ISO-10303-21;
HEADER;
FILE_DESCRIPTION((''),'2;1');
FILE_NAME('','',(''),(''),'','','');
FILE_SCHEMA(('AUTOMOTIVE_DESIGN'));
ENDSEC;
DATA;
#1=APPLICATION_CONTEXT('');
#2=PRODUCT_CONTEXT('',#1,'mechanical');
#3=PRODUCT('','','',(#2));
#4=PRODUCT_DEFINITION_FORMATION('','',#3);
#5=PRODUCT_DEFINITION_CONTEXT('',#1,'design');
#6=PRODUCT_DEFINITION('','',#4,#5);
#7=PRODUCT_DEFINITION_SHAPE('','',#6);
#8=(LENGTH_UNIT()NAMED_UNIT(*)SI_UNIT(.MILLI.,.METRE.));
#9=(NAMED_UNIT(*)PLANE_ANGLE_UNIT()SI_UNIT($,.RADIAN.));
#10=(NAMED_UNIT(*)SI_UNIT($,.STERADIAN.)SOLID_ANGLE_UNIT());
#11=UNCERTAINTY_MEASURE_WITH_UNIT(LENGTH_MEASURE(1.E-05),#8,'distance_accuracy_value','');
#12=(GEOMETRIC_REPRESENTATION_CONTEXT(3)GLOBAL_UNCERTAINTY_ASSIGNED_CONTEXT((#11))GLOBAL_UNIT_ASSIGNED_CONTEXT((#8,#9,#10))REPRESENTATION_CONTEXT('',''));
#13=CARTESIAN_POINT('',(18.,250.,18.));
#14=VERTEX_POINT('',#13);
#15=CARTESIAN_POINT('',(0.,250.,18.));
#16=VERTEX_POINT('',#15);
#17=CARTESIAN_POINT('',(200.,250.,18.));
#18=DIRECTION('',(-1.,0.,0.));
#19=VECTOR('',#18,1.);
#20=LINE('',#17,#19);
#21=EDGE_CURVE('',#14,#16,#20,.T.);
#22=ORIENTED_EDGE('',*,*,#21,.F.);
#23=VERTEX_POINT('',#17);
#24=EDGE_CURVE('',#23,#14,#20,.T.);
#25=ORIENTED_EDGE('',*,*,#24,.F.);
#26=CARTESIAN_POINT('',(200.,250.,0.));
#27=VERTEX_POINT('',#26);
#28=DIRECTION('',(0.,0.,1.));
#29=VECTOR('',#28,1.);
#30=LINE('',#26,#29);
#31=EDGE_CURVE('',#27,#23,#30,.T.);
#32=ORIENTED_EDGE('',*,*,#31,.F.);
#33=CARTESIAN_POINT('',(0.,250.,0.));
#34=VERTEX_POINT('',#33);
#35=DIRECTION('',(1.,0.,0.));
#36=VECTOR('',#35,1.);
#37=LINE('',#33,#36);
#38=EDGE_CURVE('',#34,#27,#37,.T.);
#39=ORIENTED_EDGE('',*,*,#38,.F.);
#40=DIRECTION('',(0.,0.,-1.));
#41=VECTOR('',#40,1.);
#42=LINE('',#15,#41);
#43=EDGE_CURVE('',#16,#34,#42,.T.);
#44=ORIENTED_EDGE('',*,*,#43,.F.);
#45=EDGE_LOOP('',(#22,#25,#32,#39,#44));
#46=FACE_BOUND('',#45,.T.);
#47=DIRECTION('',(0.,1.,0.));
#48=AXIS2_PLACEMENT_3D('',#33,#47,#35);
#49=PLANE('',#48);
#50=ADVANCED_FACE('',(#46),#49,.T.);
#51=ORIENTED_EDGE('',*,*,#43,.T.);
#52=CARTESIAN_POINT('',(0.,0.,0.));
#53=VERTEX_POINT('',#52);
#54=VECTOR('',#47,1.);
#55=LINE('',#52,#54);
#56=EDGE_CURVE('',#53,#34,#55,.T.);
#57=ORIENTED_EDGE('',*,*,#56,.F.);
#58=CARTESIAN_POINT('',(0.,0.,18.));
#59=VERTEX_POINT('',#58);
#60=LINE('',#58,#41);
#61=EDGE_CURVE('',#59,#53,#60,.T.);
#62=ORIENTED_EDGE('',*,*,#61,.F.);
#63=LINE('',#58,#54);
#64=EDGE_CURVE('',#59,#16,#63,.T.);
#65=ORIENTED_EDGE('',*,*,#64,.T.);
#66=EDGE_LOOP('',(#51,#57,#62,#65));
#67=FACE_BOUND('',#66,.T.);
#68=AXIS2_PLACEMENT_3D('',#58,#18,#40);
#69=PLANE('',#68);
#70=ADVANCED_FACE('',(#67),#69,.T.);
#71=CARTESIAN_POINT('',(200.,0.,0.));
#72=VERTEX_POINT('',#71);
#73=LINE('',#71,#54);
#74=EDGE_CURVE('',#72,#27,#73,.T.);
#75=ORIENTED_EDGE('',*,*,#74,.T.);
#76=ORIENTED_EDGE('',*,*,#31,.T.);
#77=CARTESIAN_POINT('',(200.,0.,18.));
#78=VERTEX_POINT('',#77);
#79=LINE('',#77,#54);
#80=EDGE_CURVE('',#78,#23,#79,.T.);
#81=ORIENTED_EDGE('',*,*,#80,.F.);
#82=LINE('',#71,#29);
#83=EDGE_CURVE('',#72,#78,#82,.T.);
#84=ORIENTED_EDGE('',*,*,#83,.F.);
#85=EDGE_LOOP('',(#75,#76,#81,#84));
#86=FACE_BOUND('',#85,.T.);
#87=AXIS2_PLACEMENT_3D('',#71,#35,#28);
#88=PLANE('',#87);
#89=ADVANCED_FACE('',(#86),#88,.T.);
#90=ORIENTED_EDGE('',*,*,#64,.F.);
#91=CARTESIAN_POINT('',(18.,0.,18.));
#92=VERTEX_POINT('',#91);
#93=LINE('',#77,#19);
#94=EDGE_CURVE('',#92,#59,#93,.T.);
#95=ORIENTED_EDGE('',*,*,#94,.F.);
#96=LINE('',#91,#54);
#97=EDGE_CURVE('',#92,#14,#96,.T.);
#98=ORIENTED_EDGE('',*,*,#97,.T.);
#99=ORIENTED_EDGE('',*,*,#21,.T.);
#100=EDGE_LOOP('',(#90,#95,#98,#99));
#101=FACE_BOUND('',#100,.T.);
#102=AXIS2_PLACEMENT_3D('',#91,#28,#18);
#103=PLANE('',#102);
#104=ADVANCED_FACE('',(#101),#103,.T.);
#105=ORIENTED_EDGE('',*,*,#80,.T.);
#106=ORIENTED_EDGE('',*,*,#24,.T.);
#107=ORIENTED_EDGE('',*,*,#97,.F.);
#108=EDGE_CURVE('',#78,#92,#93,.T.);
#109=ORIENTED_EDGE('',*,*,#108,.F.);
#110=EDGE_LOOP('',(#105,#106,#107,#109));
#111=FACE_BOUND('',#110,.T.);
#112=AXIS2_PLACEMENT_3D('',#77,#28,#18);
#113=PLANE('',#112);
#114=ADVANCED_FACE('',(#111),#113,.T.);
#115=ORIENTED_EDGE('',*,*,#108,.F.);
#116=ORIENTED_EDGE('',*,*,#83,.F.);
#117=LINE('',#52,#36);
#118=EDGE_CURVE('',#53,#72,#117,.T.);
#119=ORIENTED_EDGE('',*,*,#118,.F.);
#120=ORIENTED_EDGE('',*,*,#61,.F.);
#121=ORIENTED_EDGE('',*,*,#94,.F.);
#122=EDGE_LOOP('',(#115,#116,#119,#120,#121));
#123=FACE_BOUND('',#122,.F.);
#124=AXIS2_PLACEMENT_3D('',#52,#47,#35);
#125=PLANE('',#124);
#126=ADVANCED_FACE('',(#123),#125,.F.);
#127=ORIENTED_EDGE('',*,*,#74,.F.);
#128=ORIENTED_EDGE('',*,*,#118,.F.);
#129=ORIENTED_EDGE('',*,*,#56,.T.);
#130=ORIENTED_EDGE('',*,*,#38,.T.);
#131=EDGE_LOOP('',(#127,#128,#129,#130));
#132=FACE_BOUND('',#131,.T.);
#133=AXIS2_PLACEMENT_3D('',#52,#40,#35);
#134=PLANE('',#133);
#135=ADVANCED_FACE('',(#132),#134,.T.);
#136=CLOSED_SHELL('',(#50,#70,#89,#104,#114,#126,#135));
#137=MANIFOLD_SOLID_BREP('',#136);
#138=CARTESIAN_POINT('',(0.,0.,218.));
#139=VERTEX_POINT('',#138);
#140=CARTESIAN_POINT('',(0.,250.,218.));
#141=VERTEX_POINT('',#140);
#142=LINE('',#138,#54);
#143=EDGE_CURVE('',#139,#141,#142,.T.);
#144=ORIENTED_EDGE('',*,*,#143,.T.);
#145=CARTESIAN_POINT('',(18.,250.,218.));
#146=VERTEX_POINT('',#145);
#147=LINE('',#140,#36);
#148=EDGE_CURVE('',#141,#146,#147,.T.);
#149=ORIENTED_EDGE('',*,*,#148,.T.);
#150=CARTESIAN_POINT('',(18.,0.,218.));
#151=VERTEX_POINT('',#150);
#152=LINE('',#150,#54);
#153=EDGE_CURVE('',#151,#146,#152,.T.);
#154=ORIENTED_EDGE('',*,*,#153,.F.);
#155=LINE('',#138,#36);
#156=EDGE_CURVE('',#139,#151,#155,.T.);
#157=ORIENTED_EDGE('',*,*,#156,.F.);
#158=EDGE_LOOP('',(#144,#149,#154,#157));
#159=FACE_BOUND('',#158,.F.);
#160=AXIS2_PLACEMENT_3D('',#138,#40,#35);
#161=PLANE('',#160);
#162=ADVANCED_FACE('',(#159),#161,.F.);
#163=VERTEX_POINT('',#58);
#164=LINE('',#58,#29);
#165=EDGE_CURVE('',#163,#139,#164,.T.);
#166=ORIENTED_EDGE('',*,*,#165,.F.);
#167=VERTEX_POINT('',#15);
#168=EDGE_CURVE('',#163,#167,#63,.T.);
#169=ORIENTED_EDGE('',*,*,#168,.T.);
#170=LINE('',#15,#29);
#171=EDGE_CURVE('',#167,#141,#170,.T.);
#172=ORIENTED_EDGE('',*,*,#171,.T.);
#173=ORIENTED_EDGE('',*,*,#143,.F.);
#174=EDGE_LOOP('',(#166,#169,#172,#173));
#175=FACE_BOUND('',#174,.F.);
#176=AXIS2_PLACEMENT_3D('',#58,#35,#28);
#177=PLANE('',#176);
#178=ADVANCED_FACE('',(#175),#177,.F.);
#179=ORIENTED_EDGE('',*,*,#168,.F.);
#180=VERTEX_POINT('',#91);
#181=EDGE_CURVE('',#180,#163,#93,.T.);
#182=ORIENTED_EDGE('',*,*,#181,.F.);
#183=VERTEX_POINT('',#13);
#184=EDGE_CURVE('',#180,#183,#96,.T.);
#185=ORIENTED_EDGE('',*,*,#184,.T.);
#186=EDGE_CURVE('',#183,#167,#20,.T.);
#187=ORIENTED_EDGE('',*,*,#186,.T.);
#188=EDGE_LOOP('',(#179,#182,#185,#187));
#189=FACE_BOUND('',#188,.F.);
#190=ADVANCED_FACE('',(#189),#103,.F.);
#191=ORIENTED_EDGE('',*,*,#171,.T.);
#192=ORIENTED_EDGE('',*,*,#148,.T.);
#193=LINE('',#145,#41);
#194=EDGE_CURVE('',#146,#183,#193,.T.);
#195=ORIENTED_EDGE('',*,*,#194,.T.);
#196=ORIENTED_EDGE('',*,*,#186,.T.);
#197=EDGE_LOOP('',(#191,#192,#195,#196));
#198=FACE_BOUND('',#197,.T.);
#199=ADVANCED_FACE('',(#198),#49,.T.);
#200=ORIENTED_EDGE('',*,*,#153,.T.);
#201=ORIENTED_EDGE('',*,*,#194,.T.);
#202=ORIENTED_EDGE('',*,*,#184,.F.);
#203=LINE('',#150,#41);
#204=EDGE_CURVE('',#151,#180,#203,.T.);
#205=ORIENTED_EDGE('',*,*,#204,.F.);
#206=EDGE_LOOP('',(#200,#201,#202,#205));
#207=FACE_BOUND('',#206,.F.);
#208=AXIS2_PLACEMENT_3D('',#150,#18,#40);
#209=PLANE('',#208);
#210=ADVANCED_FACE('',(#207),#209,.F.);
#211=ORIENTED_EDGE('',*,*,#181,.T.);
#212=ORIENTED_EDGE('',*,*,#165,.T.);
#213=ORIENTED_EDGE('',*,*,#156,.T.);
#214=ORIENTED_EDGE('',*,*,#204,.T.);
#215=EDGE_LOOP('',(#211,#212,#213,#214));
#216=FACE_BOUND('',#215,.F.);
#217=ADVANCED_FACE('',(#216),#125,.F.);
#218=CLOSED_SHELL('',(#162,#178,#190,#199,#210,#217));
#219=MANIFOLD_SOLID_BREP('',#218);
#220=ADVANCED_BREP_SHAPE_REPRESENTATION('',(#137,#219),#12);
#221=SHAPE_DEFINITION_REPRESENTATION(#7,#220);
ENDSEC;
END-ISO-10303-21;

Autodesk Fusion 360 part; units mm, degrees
sketch "Sketch1" plane through (0, 0, 0) normal (0, 1, 0) x (1, 0, 0)
  line L0 (0, 0) -> (200, 0)
  line L1 (200, 0) -> (200, -18)
  line L2 (200, -18) -> (0, -18)
  line L3 (0, -18) -> (0, 0)
  line L4 (0, -218) -> (18, -218)
  line L5 (18, -218) -> (18, -18)
  line L6 (18, -18) -> (0, -18)
  line L7 (0, -18) -> (0, -218)
  dimension "d1" = 200
  dimension "d2" = 18
  dimension "d3" = 18
  dimension "d4" = 200
extrude "Extrude1" add sketch "Sketch1" along normal blind 250 contours L0 L1 L2 L3 L6 makes body 1
extrude "Extrude2" add sketch "Sketch1" along normal blind 250 separate body contours L2 L4 L5 L6 L7 makes body 2
copy_body "Body->Comp1" bodies 1 removing the originals makes body 3 in component "Body1"
copy_body "Body->Comp2" bodies 2 removing the originals makes body 4 in component "Body2"
component "Body1" placed x (1, 0, 0) y (0, 1, 0) z (0, 0, 1) at (0, 0, 0)
component "Body2" placed x (1, 0, 0) y (0, 1, 0) z (0, 0, 1) at (0, 0, 0)
equation "Length = 250 mm"
equation "d6 = Length"
equation "d8 = Length"
